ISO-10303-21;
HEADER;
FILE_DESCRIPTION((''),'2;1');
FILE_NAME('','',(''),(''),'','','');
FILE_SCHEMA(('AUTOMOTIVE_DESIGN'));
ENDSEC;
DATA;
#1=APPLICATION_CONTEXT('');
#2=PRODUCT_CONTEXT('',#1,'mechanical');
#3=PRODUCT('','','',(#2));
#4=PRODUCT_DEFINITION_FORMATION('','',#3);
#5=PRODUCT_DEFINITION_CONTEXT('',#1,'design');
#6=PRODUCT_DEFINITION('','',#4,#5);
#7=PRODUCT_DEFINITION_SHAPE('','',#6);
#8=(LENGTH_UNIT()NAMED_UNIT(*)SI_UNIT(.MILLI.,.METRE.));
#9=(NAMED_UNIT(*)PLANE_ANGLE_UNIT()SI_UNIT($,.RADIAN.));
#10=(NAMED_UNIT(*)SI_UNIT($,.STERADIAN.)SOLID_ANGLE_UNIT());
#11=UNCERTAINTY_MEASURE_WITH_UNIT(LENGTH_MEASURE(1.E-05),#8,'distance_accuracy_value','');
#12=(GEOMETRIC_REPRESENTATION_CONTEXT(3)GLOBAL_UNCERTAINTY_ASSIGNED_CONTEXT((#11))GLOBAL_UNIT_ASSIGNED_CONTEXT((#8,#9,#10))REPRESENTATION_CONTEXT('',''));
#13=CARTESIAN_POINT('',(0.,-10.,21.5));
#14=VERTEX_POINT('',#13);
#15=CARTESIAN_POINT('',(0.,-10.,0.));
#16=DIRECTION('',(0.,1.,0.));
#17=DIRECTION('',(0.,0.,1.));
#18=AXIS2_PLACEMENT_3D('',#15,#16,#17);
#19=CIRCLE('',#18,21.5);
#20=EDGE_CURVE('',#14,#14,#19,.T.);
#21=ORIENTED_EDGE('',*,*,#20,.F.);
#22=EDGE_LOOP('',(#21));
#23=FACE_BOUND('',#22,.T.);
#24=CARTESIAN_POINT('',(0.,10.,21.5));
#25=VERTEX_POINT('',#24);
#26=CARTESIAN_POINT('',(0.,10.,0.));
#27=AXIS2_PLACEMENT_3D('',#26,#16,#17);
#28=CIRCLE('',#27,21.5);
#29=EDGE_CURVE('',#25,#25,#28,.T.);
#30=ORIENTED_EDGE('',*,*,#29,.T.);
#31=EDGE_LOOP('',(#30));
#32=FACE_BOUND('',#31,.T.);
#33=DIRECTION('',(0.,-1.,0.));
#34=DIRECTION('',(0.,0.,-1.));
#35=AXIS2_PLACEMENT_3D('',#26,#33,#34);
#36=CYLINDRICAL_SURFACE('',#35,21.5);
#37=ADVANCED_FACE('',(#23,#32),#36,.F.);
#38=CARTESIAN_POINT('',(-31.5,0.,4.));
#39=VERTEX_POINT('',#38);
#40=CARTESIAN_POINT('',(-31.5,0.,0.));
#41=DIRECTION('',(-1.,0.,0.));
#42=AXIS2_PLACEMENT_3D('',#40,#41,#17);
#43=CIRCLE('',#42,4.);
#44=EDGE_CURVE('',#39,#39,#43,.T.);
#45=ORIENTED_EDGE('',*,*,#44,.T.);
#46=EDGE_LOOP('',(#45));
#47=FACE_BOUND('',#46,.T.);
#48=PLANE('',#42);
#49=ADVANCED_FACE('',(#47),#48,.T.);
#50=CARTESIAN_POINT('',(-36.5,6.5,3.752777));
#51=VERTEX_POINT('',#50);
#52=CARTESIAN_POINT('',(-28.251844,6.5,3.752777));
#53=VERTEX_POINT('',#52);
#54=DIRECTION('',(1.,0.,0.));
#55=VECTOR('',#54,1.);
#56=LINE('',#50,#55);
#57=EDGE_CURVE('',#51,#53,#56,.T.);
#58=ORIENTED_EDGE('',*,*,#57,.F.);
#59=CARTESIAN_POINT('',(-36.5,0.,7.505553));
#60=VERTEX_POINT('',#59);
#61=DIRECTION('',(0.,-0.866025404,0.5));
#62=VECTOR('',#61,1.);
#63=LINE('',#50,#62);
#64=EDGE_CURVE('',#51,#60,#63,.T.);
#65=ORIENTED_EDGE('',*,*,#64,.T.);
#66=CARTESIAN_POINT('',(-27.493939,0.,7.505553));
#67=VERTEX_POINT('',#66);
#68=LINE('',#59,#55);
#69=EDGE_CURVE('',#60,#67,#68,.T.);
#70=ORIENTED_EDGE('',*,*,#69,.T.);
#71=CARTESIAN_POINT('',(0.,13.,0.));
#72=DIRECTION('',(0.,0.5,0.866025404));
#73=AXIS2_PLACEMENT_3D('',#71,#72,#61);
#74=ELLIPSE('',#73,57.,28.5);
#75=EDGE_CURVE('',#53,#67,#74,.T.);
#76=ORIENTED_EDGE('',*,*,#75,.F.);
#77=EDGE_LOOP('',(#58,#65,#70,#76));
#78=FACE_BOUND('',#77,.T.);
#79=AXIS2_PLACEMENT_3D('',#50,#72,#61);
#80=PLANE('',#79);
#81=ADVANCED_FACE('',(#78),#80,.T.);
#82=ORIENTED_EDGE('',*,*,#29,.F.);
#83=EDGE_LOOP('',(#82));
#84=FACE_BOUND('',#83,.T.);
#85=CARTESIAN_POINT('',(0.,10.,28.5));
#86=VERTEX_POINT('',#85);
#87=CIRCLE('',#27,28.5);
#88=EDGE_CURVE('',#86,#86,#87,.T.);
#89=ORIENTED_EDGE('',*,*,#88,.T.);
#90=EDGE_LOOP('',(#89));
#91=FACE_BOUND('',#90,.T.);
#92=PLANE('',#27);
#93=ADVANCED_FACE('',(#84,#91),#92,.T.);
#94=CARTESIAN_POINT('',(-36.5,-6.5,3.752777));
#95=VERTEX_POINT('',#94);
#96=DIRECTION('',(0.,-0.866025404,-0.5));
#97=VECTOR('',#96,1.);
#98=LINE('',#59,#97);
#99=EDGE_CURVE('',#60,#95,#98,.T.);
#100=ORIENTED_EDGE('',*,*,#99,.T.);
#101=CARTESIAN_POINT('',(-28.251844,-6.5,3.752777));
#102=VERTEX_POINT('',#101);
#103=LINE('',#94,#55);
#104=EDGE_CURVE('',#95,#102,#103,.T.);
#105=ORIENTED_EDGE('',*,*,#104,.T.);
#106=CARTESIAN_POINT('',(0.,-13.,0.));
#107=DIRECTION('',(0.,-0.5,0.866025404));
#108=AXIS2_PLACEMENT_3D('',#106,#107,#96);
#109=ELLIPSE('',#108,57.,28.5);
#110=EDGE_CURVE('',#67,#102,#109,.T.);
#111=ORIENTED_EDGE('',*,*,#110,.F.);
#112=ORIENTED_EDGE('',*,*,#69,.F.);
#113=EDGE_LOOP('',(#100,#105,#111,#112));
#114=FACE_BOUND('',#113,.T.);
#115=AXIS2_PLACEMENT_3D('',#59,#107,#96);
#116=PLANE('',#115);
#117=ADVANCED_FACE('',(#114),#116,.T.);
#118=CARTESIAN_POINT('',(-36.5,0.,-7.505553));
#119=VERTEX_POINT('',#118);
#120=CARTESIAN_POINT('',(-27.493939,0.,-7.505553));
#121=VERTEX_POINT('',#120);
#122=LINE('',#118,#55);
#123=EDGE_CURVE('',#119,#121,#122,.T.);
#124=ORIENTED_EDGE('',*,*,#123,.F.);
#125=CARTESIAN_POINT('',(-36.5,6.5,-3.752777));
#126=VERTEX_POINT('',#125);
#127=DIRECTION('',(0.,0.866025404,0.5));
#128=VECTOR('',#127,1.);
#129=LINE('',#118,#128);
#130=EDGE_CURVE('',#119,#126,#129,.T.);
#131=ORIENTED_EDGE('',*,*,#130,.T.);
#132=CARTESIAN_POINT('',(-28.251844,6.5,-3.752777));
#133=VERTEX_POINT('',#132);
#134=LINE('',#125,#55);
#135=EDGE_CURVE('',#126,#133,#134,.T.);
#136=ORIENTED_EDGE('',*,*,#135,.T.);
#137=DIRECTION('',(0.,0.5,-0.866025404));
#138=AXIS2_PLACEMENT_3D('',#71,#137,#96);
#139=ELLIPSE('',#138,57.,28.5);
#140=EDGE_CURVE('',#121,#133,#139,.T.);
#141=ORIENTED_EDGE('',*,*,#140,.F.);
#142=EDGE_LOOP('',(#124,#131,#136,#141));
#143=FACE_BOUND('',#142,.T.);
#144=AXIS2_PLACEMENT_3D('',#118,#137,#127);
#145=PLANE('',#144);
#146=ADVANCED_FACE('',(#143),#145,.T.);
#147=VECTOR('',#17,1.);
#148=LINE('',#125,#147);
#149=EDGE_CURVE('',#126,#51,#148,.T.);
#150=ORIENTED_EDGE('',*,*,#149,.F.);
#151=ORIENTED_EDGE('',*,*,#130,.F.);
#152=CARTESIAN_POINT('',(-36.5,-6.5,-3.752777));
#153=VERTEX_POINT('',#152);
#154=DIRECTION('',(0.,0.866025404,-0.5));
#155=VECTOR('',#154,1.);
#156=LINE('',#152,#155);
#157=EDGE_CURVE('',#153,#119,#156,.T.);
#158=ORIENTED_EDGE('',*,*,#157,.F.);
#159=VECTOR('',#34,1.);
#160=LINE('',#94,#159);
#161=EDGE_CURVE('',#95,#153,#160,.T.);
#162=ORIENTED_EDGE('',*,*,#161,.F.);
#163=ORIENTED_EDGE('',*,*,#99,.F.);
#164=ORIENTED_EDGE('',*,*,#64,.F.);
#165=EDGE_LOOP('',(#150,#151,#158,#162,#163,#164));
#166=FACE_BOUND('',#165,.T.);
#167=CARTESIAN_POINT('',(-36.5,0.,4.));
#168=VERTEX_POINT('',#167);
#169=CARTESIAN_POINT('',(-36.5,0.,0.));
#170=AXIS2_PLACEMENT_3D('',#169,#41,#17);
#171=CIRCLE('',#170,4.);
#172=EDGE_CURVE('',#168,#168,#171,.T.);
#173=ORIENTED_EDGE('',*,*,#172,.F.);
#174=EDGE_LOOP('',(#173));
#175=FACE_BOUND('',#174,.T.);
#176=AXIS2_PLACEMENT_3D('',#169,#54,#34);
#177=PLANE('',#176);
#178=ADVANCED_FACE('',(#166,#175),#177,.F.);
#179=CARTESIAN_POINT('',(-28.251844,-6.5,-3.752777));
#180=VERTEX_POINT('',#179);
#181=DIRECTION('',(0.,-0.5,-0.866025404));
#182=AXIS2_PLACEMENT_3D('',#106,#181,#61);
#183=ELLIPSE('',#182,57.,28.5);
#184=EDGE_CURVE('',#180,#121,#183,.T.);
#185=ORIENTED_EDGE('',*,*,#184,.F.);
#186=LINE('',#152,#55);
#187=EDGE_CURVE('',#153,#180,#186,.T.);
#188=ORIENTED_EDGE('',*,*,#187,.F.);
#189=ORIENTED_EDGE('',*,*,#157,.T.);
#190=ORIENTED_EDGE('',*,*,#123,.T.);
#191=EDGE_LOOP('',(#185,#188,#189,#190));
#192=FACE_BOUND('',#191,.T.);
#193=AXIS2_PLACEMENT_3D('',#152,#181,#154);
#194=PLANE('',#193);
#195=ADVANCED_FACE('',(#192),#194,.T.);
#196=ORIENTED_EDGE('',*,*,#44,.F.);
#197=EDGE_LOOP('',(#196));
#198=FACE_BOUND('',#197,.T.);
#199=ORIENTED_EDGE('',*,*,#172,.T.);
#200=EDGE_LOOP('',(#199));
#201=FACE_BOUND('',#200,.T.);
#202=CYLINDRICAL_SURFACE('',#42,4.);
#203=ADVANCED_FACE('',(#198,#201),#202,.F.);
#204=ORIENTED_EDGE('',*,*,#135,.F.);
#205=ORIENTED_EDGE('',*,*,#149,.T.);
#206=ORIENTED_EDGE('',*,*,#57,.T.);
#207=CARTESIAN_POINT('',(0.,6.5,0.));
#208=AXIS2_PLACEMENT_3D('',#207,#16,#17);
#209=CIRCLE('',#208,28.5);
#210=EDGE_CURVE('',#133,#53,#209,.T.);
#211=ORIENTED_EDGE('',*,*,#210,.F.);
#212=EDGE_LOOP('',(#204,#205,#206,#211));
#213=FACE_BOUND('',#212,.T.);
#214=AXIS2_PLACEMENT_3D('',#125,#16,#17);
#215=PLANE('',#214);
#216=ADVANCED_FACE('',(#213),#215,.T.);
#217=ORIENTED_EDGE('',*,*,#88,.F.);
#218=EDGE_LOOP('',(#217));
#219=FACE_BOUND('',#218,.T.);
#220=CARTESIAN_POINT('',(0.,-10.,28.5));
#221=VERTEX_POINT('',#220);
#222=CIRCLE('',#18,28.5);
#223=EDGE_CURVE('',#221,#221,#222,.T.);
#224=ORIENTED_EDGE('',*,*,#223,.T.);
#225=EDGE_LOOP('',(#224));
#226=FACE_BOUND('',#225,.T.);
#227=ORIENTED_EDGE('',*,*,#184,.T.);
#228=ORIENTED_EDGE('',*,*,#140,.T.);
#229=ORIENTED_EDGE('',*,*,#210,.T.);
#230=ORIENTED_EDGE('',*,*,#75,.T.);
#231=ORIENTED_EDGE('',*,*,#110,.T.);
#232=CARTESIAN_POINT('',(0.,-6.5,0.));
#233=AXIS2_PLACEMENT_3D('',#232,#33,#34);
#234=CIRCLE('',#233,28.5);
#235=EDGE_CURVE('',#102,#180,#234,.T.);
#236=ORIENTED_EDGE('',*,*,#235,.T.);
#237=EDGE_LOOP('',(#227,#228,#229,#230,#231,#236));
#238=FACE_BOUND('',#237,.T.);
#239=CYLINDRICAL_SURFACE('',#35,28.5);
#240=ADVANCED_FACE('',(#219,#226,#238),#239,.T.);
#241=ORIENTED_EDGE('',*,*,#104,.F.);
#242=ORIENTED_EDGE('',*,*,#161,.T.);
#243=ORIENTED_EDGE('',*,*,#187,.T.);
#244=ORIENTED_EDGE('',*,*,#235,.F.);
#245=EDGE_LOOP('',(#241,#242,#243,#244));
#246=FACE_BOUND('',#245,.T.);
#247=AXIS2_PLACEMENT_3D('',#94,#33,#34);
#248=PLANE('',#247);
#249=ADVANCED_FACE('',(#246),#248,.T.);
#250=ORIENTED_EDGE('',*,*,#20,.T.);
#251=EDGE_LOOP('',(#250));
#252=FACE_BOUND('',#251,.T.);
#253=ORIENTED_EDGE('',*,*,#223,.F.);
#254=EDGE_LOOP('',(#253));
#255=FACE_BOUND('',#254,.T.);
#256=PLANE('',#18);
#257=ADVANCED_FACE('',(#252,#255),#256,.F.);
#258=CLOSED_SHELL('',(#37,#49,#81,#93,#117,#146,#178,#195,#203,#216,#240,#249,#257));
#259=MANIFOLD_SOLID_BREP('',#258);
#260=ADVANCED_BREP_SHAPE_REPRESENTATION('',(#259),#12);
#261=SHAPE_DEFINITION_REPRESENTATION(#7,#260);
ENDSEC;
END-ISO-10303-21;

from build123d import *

# Parameters (mm, degrees)
SKETCH_2_R          = 28.5
SKETCH_2_R_2        = 21.5
EXTRUDE_1_DEPTH     = 10
EXTRUDE_START       = -25
EXTRUDE_2_DEPTH     = 11.5
SKETCH_4_R          = 4
CUT_EXTRUDE_2_DEPTH = 5


with BuildPart() as part:
    # Эскиз2 → Бобышка-Вытянуть1 (new, symmetric)
    with BuildSketch(Plane(origin=(0, 0, 0), x_dir=(1, 0, 0), z_dir=(0, 1, 0))):
        with Locations(Location((0, 0, 0), (0, 0, 270))):
            Circle(SKETCH_2_R)
        with Locations(Location((0, 0, 0), (0, 0, 270))):
            Circle(SKETCH_2_R_2, mode=Mode.SUBTRACT)
    extrude(amount=EXTRUDE_1_DEPTH, both=True)

    # Эскиз3 → Бобышка-Вытянуть2 (add)
    with BuildSketch(Plane(origin=(0, 0, 0), x_dir=(0, 0, -1), z_dir=(1, 0, 0)).offset(EXTRUDE_START)):
        Polygon((7.505553499, 0), (3.75277675, 6.5), (-3.75277675, 6.5), (-7.505553499, 0), (-3.75277675, -6.5), (3.75277675, -6.5), align=None)
    extrude(amount=-EXTRUDE_2_DEPTH)

    # Эскиз4 → Вырез-Вытянуть2 (cut)
    with BuildSketch(Plane.ZY.offset(36.5)):
        Circle(SKETCH_4_R)
    extrude(amount=-CUT_EXTRUDE_2_DEPTH, mode=Mode.SUBTRACT)


solid = part.part
